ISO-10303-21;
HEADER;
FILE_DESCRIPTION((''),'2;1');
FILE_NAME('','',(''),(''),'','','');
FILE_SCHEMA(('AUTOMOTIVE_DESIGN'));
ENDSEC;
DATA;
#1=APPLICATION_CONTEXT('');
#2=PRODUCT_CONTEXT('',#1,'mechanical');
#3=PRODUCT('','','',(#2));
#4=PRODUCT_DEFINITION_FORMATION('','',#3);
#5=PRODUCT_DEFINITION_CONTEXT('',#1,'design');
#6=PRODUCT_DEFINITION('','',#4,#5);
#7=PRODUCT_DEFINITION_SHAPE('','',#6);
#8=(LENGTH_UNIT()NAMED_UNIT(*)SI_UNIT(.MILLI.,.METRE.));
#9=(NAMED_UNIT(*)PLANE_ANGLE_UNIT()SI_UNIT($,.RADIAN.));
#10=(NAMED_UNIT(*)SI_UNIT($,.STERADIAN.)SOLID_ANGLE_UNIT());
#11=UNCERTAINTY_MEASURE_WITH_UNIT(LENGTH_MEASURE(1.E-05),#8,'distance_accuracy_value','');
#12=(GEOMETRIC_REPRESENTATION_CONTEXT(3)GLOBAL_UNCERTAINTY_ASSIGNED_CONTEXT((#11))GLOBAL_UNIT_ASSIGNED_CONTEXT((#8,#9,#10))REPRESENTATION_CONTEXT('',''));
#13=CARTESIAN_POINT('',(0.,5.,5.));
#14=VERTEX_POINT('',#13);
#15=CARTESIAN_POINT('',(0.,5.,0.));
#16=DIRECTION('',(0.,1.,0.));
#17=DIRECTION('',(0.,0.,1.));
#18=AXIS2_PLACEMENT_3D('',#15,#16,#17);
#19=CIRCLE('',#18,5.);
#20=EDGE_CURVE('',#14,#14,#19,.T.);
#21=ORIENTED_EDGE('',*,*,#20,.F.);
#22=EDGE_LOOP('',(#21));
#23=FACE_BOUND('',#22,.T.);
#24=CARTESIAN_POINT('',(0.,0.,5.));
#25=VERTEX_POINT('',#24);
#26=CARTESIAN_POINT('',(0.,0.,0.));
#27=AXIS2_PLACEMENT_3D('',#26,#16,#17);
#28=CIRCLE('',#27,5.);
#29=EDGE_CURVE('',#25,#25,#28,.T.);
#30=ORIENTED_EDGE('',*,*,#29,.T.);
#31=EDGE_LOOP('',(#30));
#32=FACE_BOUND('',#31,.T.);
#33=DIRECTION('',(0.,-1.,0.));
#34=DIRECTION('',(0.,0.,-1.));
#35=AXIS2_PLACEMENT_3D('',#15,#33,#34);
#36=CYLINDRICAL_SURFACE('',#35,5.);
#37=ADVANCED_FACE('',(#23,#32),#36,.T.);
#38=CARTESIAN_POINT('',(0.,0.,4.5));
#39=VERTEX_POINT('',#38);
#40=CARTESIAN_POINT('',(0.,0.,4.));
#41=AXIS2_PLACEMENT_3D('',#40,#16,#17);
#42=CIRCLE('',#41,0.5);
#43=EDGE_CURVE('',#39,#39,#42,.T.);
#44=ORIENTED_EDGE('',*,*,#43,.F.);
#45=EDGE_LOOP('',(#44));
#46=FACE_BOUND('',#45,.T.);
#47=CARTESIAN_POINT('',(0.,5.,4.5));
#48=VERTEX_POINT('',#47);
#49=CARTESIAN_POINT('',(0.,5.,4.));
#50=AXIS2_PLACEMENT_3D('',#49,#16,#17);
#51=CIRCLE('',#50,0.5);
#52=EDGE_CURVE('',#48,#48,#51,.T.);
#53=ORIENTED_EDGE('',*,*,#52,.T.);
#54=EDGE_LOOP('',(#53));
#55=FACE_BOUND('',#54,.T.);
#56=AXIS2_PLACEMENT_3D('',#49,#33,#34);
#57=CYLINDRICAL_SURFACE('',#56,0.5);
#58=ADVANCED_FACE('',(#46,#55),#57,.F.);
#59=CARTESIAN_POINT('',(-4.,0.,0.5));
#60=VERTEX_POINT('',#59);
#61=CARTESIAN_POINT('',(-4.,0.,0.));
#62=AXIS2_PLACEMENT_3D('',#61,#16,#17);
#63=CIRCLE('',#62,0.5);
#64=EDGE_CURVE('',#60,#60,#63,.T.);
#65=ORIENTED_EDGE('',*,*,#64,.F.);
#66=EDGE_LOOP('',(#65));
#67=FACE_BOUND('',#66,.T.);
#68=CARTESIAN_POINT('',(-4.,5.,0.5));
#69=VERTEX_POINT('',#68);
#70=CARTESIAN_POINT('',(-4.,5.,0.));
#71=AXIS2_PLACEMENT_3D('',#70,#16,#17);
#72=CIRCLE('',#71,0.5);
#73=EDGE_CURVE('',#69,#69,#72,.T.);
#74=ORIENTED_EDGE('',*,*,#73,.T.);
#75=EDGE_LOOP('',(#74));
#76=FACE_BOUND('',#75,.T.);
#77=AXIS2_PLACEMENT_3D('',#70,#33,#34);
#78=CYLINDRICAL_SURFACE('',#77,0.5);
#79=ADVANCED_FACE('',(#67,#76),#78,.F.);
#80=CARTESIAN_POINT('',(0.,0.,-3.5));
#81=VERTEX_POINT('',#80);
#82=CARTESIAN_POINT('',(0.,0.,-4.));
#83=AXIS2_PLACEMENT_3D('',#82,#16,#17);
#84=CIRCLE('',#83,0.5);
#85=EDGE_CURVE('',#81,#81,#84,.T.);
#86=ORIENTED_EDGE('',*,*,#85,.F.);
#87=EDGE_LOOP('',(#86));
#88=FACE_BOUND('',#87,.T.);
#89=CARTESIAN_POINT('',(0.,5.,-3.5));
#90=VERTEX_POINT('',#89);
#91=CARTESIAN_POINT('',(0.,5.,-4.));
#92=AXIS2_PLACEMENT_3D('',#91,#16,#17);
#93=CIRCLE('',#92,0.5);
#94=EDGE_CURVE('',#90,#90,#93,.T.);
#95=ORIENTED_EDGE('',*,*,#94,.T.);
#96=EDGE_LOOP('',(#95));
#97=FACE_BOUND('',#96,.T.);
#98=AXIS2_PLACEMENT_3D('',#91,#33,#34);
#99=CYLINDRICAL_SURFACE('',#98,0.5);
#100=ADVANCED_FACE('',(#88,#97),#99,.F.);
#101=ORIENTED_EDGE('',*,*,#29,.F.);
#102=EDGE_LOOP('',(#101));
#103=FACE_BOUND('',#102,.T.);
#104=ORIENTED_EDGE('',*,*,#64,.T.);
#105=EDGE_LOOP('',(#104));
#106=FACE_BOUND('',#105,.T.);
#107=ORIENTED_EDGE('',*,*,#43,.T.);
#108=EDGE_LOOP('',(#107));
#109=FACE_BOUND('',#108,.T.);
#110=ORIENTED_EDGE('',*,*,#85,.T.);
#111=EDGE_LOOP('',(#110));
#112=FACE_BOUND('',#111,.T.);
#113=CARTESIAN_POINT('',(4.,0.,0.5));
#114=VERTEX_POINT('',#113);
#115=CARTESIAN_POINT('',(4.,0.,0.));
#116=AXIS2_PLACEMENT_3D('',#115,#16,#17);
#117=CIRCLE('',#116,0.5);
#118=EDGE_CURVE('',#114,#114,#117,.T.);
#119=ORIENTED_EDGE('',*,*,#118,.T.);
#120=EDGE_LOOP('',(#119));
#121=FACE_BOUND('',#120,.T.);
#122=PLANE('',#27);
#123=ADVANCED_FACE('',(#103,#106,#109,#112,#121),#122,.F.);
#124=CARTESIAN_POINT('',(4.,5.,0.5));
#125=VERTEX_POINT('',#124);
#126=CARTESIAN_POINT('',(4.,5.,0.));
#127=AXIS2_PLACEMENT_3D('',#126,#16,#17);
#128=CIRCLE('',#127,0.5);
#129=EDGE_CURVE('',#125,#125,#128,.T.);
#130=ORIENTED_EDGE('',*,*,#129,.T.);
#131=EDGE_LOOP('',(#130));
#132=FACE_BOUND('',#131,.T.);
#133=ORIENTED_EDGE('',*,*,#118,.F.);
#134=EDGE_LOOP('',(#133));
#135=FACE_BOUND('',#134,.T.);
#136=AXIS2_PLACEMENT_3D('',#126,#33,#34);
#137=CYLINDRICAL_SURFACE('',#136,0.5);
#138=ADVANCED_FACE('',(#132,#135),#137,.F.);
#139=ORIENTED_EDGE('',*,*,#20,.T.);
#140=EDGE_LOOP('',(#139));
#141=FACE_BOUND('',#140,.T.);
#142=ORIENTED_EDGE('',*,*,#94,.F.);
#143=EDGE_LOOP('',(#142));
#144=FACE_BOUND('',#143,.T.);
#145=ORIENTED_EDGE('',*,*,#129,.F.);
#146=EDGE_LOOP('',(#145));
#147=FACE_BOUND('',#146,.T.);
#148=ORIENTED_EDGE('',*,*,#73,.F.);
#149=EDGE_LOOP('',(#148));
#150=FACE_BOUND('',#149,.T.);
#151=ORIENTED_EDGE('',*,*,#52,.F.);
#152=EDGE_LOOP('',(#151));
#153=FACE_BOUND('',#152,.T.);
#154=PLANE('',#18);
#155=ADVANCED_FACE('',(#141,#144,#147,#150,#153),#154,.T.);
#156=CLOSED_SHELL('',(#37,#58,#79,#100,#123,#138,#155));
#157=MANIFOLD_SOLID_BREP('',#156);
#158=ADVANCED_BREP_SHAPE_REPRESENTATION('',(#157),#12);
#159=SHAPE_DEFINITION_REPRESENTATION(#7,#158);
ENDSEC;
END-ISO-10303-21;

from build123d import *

# Parameters (mm, degrees)
SKETCH1_R           = 5
SKETCH1_R_2         = 0.5
BOSS_EXTRUDE1_DEPTH = 5


with BuildPart() as part:
    # Sketch1 → Boss-Extrude1 (new body)
    with BuildSketch(Plane(origin=(0, 0, 0), x_dir=(1, 0, 0), z_dir=(0, 1, 0))):
        with Locations(Location((0, 0, 0), (0, 0, 270))):
            Circle(SKETCH1_R)
        with Locations(Location((0, 4, 0), (0, 0, 270))):
            Circle(SKETCH1_R_2, mode=Mode.SUBTRACT)
        with Locations(Location((4, 0, 0), (0, 0, 270))):
            Circle(SKETCH1_R_2, mode=Mode.SUBTRACT)
        with Locations(Location((0, -4, 0), (0, 0, 270))):
            Circle(SKETCH1_R_2, mode=Mode.SUBTRACT)
        with Locations(Location((-4, 0, 0), (0, 0, 270))):
            Circle(SKETCH1_R_2, mode=Mode.SUBTRACT)
    extrude(amount=BOSS_EXTRUDE1_DEPTH)


solid = part.part
